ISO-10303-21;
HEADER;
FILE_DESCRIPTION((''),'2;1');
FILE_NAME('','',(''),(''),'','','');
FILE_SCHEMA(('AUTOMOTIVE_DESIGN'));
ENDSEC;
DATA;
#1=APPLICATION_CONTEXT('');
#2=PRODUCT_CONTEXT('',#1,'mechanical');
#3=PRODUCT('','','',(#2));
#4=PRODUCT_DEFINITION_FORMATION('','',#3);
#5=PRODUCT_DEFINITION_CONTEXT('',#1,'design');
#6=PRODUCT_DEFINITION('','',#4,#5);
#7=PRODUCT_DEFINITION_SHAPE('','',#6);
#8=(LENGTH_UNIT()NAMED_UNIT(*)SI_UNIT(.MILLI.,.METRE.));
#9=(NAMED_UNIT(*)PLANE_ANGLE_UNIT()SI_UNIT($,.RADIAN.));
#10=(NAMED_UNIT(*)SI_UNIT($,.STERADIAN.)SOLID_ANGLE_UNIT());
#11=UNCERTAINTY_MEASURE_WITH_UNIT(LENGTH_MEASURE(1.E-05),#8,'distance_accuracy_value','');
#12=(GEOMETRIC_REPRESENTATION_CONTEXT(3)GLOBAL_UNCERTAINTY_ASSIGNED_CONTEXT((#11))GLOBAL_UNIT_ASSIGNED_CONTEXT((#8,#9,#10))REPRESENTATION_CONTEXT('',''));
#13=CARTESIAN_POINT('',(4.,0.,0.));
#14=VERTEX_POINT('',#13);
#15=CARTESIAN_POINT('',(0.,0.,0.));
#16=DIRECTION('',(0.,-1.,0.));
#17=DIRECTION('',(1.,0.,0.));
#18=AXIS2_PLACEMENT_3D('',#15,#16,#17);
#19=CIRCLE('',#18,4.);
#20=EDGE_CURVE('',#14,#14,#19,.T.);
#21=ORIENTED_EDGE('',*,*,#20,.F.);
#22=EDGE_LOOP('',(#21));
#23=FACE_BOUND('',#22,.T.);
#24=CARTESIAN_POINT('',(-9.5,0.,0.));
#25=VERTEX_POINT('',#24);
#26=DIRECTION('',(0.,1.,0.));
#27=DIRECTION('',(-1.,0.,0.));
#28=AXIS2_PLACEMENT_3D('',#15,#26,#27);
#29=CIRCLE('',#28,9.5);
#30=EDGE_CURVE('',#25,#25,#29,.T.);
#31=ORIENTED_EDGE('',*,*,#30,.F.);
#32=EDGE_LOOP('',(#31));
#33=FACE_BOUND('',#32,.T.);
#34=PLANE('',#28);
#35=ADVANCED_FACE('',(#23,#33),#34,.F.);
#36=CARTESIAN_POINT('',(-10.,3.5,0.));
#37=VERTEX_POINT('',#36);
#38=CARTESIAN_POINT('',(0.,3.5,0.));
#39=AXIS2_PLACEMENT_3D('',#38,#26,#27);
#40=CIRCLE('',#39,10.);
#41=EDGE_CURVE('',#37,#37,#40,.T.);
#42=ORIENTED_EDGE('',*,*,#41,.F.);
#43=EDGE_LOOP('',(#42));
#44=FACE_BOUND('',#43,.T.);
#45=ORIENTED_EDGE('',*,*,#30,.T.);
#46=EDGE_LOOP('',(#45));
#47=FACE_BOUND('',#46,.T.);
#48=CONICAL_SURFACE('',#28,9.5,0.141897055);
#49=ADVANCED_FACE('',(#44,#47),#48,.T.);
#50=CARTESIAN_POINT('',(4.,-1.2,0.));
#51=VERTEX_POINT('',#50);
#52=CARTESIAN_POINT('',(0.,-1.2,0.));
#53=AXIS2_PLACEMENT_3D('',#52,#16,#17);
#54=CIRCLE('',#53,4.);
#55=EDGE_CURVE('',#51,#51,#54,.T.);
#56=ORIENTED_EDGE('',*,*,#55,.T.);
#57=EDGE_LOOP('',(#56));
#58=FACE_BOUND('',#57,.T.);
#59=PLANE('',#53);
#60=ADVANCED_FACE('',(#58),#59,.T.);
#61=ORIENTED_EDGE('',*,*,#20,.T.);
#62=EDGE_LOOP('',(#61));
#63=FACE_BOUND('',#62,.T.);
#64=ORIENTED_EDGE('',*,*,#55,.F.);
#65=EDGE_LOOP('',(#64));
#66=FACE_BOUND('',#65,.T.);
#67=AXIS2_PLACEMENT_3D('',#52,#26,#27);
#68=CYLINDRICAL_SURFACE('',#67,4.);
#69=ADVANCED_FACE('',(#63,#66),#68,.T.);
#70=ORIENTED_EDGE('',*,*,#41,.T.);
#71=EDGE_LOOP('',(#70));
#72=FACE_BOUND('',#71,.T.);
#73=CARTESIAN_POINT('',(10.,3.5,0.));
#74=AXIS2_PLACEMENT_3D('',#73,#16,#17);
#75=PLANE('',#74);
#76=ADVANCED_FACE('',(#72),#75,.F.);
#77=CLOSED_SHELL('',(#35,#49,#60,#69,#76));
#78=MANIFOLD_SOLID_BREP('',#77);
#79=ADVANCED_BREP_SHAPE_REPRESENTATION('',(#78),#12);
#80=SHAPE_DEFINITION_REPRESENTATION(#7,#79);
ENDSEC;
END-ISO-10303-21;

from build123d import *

# Parameters (mm, degrees)
SKETCH3_R           = 4
BOSS_EXTRUDE1_DEPTH = 1.2


with BuildPart() as part:
    # Sketch2 → Revolve1 (revolve)
    with BuildSketch(Plane.XY, mode=Mode.PRIVATE) as revolve1_sk:
        Polygon((0, 0), (9.5, 0), (10, 3.5), (0, 3.5), align=None)
    revolve(revolve1_sk.sketch.rotate(Axis((0, 3.5, 0), (0, -1, 0)), 180), axis=Axis((0, 3.5, 0), (0, -1, 0)))

    # Sketch3 → Boss-Extrude1 (add)
    with BuildSketch(Plane.XZ):
        Circle(SKETCH3_R)
    extrude(amount=BOSS_EXTRUDE1_DEPTH)


solid = part.part
